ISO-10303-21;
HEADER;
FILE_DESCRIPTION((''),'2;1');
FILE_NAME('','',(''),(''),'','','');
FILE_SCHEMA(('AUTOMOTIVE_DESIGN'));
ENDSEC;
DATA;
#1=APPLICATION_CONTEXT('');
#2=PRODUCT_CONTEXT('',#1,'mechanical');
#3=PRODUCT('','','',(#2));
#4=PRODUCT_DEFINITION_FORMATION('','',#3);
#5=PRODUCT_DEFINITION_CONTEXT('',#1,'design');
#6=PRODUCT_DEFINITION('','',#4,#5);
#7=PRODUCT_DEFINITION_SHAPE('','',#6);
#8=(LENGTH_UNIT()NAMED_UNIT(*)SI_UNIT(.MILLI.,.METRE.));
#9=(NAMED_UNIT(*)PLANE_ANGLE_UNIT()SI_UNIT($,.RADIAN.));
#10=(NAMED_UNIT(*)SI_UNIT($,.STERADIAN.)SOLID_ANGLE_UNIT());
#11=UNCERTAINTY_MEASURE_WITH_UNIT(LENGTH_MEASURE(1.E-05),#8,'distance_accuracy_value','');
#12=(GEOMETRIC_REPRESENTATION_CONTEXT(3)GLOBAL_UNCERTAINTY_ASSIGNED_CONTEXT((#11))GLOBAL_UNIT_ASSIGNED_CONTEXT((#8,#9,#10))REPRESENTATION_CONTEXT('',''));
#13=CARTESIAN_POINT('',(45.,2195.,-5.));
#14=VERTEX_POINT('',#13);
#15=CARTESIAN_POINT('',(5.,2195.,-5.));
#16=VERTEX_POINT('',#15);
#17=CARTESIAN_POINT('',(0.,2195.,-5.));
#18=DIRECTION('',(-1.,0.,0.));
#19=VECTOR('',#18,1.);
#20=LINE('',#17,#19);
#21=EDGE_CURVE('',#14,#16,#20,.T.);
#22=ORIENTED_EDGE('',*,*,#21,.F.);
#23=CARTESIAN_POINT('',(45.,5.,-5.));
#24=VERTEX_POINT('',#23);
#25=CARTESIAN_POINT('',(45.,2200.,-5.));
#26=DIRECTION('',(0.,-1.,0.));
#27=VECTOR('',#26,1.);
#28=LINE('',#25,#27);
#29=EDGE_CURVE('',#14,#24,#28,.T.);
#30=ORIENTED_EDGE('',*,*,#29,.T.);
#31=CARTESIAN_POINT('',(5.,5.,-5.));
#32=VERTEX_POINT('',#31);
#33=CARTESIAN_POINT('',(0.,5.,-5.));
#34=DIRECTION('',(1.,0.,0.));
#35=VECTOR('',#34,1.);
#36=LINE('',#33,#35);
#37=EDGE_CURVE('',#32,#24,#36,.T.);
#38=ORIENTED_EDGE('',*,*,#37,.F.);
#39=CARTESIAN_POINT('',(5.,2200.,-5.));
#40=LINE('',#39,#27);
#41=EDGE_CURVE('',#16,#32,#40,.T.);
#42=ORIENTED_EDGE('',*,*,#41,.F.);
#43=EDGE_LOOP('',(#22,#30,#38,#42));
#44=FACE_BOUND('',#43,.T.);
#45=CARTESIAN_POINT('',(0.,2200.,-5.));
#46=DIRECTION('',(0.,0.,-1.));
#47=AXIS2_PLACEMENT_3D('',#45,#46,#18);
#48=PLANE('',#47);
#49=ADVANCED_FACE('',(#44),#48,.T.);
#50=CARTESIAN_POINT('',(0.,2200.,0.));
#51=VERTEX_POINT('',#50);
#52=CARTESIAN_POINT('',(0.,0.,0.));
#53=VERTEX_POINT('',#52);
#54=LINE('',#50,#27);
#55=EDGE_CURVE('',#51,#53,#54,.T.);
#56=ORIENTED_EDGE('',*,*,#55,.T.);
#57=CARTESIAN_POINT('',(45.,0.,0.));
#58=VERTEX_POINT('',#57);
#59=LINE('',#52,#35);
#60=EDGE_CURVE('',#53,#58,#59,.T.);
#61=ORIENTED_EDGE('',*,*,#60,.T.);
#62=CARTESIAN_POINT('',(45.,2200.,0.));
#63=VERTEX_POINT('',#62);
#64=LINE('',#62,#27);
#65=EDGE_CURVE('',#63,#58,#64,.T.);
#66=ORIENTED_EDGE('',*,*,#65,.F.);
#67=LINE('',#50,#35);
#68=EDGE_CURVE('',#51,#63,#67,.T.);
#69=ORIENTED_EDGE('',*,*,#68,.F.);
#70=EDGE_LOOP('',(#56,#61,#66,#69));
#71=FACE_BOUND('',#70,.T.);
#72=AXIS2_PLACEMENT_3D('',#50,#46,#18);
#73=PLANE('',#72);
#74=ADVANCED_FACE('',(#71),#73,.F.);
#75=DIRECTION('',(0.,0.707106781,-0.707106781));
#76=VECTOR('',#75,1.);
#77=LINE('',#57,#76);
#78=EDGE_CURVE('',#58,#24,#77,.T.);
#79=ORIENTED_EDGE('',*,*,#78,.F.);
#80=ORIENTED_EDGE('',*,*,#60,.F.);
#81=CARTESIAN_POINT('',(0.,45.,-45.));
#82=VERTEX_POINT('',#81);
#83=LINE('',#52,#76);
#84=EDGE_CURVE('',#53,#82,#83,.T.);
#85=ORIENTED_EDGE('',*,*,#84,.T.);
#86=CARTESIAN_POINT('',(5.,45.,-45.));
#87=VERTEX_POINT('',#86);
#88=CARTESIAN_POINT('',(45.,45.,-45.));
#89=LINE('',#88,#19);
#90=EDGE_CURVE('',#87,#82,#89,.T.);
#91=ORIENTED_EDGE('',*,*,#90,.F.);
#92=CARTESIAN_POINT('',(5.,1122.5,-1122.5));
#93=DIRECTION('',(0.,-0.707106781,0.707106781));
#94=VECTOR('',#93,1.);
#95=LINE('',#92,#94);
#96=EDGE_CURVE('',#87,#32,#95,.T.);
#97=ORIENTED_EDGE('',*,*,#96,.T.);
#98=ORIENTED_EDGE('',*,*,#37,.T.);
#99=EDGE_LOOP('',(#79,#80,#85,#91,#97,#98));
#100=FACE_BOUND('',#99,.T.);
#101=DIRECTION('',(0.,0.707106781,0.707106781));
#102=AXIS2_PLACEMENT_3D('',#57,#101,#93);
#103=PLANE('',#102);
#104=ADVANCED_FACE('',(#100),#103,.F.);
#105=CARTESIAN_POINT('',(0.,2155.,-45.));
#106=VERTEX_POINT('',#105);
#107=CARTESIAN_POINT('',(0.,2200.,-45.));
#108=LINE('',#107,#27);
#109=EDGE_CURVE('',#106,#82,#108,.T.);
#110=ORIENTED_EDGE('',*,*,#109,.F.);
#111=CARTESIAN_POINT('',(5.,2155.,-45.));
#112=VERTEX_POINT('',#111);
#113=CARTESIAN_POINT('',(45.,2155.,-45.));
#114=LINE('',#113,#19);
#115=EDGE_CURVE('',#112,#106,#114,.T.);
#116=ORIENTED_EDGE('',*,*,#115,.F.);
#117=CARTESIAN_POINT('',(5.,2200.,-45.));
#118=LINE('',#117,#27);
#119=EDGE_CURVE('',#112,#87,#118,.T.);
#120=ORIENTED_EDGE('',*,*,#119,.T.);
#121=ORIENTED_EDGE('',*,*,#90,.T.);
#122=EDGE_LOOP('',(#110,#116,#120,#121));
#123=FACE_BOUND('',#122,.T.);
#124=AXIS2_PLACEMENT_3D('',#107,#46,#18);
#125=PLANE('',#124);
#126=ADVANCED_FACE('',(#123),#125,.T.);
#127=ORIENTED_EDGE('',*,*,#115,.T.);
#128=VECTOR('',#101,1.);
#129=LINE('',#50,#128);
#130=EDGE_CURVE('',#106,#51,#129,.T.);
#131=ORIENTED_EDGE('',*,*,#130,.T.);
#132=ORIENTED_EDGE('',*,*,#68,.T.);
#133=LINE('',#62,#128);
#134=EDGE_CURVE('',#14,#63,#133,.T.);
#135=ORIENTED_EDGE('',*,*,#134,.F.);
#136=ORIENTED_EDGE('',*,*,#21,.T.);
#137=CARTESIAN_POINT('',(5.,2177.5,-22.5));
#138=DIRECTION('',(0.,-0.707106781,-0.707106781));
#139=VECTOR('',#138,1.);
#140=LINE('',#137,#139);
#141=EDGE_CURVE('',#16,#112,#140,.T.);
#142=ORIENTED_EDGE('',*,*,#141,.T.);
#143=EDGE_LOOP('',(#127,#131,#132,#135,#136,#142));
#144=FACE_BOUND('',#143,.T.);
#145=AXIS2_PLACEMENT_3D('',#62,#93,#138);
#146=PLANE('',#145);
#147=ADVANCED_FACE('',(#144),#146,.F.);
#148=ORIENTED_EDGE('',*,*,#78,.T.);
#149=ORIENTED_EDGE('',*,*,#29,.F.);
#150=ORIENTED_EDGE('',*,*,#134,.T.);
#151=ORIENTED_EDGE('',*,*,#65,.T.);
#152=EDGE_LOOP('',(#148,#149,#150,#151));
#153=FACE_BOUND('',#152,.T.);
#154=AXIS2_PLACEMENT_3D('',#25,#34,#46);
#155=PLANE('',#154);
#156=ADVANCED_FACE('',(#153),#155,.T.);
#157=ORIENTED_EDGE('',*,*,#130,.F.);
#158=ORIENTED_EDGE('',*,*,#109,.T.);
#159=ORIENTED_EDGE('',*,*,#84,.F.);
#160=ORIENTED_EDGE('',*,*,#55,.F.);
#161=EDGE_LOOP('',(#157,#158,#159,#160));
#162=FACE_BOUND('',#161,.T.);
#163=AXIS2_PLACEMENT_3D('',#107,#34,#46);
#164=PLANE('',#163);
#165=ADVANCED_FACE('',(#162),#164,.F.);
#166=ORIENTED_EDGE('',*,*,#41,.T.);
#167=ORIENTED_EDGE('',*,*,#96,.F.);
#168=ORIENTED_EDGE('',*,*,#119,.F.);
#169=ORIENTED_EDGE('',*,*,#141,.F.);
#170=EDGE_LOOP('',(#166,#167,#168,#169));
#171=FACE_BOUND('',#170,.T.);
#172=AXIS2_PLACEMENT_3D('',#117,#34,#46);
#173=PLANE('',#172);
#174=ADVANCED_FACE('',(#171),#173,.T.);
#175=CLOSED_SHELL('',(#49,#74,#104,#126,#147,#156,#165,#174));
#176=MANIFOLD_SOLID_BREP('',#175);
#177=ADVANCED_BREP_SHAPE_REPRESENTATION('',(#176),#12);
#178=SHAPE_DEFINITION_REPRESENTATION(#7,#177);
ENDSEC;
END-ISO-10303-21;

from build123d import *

# Parameters (mm, degrees)
EXTRUDE_1_DEPTH     = 2200
CUT_EXTRUDE_1_DEPTH = 46


with BuildPart() as part:
    # Эскиз1 → Вытянуть-Тонкостенный1 (new body)
    with BuildSketch(Plane(origin=(0, 0, 0), x_dir=(1, 0, 0), z_dir=(0, 1, 0))):
        Polygon((0, 45), (0, 0), (45, 0), (45, 5), (5, 5), (5, 45), align=None)
    extrude(amount=EXTRUDE_1_DEPTH)

    # Эскиз2 → Вырез-Вытянуть1 (cut, through all)
    with BuildSketch(Plane.ZY):
        Polygon((0, 0), (-45, 45), (-45, 0), align=None)
        Polygon((-45, 2200), (0, 2200), (-45, 2155), align=None)
    extrude(amount=-CUT_EXTRUDE_1_DEPTH, mode=Mode.SUBTRACT)


solid = part.part
